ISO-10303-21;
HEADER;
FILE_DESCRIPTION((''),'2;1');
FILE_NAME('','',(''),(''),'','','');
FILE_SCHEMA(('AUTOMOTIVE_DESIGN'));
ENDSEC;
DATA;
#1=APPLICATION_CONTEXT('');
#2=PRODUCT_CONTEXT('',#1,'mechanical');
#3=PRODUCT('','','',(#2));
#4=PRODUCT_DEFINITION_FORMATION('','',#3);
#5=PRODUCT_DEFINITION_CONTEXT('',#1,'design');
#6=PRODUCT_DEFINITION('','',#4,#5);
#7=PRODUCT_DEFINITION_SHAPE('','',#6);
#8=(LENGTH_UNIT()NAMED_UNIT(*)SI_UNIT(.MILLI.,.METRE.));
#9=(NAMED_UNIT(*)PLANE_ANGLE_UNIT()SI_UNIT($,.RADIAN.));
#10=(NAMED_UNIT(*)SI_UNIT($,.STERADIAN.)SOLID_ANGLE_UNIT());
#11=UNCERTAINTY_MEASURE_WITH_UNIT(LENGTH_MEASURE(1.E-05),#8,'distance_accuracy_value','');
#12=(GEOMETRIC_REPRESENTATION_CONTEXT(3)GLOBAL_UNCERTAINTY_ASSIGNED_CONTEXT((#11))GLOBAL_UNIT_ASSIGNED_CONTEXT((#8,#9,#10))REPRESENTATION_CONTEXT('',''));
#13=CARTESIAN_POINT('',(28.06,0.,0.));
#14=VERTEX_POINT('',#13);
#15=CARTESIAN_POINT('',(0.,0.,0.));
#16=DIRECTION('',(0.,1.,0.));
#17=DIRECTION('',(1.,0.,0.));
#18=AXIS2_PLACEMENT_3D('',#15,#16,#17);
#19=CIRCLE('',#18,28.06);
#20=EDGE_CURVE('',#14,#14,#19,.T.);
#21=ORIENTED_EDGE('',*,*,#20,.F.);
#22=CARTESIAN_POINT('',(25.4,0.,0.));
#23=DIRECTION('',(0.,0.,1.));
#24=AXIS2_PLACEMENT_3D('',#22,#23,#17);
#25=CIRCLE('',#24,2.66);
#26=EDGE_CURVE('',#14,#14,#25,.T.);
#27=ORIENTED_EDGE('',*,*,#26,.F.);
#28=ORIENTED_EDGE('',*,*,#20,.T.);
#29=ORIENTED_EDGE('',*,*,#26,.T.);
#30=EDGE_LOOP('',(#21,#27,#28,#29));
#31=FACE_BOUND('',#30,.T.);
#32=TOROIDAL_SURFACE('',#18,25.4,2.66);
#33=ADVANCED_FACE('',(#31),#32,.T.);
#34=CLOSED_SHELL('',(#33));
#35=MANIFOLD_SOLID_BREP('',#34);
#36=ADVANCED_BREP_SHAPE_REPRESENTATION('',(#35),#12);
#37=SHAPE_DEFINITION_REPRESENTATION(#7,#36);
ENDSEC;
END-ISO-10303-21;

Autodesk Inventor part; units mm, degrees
ref_plane "YZ Plane" through (0, 0, 0) normal (1, 0, 0) x (0, 1, 0)
ref_plane "XZ Plane" through (0, 0, 0) normal (0, 1, 0) x (-1, 0, 0)
ref_plane "XY Plane" through (0, 0, 0) normal (0, 0, 1) x (1, 0, 0)
sketch "Sketch1" plane through (0, 0, 0) normal (0, 0, 1) x (1, 0, 0)
  line L0 (0, 0) -> (25.4, 0) construction
  circle A0 centre (25.4, 0) radius 2.66
  line L1 (0, 0) -> (0, 19.3219) construction
  dimension "d0" = 25.4
  dimension "d1" = 5.32
revolve "Revolution1" add sketch "Sketch1" angle 360 about axis through (0, 0, 0) along (0, 1, 0)
properties part number "tire" material "Rubber"
